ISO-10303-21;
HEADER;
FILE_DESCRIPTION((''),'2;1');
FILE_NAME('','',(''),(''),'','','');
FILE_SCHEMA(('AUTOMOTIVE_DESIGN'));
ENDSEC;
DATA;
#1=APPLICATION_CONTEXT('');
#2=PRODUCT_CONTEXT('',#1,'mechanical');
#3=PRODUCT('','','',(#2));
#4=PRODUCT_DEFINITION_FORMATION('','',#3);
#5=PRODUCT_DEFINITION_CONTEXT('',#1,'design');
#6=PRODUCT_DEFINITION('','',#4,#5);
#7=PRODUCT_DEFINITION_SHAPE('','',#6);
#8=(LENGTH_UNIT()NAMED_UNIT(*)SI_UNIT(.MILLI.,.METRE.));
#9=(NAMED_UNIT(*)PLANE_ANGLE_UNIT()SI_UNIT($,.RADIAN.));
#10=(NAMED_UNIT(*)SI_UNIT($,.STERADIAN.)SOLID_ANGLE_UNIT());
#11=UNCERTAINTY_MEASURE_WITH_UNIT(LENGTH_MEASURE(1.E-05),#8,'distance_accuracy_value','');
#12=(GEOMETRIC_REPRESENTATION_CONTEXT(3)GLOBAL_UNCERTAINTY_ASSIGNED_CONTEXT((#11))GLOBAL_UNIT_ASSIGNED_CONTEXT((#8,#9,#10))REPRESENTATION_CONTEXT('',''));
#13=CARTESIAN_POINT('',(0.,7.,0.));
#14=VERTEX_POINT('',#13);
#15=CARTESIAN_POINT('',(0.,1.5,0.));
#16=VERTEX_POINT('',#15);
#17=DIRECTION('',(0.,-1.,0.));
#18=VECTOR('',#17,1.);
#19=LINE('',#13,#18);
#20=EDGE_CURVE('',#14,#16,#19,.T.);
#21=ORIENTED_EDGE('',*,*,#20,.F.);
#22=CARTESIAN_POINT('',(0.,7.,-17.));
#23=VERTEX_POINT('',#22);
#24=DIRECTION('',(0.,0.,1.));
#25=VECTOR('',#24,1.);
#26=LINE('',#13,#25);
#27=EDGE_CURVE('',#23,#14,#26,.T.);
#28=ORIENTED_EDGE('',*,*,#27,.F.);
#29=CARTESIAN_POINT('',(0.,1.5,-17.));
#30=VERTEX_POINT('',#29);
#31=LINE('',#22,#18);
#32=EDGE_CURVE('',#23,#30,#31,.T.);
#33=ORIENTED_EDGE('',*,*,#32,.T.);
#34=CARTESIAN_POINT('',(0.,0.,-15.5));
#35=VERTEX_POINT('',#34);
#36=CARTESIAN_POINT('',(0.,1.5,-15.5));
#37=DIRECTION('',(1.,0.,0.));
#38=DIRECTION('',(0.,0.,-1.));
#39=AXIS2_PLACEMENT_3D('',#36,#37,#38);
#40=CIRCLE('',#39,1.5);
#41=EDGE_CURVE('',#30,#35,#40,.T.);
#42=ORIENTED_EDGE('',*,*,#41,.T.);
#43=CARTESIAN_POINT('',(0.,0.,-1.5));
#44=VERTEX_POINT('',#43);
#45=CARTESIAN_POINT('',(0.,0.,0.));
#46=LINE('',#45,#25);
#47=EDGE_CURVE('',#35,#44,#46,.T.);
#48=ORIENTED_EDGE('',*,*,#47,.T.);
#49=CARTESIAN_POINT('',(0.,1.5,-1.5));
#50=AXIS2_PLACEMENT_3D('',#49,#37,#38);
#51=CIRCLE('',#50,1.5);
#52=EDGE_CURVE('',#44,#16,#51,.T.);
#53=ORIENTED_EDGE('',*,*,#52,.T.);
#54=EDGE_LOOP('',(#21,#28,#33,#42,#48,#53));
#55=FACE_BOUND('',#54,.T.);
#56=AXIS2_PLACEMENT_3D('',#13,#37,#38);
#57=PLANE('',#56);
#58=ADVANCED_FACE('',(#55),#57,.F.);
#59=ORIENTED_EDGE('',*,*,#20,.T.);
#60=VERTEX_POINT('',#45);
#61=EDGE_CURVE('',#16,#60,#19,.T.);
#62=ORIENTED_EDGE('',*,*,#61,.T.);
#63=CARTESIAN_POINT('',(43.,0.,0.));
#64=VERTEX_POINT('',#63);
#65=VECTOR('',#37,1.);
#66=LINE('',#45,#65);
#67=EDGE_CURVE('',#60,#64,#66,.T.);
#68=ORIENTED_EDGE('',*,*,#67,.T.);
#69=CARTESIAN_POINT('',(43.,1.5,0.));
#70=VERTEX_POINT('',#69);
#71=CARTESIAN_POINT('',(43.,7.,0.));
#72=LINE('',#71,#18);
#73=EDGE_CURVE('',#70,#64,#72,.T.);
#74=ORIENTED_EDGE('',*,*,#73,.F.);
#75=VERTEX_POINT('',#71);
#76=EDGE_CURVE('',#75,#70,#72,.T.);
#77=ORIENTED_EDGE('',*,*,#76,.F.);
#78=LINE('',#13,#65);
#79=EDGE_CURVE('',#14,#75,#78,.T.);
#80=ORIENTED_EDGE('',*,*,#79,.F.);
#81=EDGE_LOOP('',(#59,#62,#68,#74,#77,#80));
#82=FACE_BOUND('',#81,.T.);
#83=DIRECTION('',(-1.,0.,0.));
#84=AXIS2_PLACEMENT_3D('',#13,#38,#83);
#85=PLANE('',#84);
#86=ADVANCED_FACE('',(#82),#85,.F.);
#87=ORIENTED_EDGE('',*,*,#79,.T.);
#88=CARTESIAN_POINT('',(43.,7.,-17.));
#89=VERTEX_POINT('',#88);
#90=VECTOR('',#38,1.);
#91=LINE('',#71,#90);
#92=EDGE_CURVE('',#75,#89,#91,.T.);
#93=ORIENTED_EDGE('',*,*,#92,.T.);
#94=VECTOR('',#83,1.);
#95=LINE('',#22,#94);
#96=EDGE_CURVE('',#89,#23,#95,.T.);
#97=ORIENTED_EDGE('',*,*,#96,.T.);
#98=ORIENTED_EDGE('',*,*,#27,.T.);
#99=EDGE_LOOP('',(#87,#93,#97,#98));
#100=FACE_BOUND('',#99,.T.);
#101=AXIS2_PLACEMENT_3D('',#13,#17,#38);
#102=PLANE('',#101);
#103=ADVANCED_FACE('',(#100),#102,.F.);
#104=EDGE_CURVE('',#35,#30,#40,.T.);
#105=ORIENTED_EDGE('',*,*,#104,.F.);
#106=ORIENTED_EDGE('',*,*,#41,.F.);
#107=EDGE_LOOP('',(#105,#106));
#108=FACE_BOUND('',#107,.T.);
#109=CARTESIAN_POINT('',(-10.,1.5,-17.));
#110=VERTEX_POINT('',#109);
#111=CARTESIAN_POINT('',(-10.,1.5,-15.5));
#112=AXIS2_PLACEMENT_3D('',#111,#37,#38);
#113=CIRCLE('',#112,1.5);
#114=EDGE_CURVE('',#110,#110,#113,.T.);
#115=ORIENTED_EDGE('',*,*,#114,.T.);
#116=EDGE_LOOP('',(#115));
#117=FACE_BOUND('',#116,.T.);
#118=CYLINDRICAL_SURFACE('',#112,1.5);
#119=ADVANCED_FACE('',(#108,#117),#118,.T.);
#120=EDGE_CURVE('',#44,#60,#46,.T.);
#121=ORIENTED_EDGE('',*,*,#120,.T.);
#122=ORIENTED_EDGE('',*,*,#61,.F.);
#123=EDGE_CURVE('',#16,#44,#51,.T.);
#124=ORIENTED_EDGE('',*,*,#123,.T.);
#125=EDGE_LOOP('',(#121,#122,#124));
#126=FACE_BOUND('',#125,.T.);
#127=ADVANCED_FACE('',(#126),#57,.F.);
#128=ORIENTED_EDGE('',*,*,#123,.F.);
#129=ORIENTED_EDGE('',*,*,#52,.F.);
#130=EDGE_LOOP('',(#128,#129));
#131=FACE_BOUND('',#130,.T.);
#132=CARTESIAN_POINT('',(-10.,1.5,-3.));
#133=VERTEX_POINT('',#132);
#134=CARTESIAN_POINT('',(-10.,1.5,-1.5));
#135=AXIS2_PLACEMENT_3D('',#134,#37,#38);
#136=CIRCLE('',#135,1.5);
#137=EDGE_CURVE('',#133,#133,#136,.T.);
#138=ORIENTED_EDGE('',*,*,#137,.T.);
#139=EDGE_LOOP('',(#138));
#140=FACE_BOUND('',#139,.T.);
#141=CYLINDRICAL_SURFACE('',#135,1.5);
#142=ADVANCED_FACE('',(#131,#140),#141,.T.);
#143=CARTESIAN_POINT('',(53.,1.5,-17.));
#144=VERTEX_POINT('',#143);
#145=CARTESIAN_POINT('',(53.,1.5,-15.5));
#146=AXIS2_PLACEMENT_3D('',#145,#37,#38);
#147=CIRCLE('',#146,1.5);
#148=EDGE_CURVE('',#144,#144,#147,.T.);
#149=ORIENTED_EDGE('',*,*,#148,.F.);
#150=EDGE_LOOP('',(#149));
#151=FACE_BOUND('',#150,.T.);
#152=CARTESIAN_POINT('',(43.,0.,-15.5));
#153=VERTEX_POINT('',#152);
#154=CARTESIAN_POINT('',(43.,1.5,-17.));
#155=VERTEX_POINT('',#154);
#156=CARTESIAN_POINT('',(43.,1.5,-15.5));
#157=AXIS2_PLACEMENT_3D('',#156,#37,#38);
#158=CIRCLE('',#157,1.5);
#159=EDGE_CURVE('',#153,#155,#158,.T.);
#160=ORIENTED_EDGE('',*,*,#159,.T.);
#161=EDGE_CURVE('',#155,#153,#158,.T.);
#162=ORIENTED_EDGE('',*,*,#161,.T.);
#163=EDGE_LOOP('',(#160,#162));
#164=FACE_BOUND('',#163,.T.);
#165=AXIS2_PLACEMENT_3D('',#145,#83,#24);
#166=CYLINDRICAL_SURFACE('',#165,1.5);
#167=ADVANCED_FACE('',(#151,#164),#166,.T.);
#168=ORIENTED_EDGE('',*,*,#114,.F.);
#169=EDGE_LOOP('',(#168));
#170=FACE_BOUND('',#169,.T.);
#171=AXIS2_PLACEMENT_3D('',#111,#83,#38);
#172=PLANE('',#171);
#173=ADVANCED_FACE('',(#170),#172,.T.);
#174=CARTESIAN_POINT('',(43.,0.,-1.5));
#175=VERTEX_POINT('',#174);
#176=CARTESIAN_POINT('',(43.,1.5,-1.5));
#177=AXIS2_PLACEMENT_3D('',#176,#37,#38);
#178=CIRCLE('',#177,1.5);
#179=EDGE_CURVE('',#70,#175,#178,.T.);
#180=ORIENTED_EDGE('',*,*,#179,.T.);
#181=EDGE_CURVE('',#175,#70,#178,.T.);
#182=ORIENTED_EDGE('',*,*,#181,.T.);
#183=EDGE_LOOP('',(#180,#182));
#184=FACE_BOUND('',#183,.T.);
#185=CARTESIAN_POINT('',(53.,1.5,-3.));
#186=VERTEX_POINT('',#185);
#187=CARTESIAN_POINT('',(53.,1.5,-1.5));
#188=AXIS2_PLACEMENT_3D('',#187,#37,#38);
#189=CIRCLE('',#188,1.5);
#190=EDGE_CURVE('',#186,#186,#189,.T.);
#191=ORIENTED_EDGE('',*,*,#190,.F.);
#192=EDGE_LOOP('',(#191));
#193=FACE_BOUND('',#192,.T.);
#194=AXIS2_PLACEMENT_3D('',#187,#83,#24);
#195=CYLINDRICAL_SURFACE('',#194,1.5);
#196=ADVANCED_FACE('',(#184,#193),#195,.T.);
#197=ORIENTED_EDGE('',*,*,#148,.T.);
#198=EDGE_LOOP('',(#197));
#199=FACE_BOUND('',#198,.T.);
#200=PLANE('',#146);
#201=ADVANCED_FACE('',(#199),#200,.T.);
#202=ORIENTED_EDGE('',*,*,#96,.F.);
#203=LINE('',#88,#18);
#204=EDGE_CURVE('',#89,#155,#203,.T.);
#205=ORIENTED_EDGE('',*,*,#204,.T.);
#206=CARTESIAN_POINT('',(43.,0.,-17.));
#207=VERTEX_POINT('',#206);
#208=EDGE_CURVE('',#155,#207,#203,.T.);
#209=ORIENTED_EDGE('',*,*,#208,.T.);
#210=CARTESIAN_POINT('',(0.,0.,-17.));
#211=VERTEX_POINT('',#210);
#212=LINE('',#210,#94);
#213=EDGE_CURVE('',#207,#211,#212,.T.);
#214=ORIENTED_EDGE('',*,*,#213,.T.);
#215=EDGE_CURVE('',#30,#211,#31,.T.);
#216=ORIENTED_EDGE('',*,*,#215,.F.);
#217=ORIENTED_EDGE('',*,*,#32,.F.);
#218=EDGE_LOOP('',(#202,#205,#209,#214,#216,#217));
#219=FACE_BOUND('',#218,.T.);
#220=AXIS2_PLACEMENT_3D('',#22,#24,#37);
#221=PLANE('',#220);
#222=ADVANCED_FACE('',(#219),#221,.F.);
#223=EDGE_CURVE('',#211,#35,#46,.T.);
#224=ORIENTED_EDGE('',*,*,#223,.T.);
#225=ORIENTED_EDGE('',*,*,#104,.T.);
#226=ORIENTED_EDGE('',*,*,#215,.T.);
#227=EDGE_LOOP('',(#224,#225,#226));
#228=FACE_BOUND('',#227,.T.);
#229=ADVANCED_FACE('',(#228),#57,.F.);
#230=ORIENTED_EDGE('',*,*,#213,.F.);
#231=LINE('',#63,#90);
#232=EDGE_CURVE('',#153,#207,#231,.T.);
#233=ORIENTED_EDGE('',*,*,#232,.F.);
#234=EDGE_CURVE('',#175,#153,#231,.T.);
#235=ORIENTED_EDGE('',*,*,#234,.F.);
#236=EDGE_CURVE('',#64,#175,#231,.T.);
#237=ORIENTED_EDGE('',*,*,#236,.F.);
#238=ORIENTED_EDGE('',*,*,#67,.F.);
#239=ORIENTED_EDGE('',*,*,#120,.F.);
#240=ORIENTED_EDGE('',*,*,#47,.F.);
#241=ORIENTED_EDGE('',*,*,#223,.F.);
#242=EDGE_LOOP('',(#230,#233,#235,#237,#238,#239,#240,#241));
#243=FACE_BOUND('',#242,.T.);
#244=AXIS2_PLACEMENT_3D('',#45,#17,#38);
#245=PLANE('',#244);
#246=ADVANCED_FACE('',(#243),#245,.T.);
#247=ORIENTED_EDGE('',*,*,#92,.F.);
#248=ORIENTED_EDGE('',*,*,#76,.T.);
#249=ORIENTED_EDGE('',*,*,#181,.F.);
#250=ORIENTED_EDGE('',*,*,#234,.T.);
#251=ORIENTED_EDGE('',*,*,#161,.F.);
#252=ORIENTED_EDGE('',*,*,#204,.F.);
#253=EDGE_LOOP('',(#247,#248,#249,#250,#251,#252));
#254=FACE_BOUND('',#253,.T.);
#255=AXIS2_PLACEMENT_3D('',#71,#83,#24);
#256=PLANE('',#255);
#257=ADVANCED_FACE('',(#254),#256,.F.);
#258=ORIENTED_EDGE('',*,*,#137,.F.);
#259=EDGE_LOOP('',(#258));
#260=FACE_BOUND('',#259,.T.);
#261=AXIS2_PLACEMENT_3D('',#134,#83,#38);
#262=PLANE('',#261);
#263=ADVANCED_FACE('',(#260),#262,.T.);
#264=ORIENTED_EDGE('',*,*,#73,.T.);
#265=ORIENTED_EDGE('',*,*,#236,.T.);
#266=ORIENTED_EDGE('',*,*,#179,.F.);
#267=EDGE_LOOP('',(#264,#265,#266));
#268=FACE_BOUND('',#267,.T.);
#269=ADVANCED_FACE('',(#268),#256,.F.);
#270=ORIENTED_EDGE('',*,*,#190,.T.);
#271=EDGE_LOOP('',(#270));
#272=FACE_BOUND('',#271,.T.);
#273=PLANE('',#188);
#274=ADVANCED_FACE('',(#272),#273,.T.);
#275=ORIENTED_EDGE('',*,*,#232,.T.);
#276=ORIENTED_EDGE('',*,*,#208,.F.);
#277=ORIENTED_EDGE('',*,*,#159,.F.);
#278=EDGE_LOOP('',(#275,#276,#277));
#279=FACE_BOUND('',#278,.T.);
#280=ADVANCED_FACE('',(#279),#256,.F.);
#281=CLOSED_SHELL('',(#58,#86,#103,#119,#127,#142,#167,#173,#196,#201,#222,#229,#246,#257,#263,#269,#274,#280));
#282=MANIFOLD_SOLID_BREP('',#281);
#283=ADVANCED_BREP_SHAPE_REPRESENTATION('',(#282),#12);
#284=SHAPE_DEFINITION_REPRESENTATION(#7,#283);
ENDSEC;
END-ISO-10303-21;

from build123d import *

# Parameters (mm, degrees)
SKETCH1_W           = 43
SKETCH1_H           = 17
BOSS_EXTRUDE1_DEPTH = 7
SKETCH2_R           = 1.5
BOSS_EXTRUDE2_DEPTH = 10


with BuildPart() as part:
    # Sketch1 → Boss-Extrude1 (new body)
    with BuildSketch(Plane(origin=(0, 0, 0), x_dir=(1, 0, 0), z_dir=(0, 1, 0))):
        with Locations((21.5, 8.5)):
            Rectangle(SKETCH1_W, SKETCH1_H)
    extrude(amount=BOSS_EXTRUDE1_DEPTH)

    # Sketch2 → Boss-Extrude2 (add)
    with BuildSketch(Plane(origin=(43, 0, 0), x_dir=(0, 0, -1), z_dir=(1, 0, 0))):
        with Locations((15.5, 1.5)):
            Circle(SKETCH2_R)
        with Locations((1.5, 1.5)):
            Circle(SKETCH2_R)
    boss_extrude2 = extrude(amount=BOSS_EXTRUDE2_DEPTH)

    # Mirror1: Boss-Extrude2 across plane
    add(boss_extrude2.mirror(Plane(origin=(21.5, 0, 0), x_dir=(0, 0, 1), z_dir=(1, 0, 0))))


solid = part.part
